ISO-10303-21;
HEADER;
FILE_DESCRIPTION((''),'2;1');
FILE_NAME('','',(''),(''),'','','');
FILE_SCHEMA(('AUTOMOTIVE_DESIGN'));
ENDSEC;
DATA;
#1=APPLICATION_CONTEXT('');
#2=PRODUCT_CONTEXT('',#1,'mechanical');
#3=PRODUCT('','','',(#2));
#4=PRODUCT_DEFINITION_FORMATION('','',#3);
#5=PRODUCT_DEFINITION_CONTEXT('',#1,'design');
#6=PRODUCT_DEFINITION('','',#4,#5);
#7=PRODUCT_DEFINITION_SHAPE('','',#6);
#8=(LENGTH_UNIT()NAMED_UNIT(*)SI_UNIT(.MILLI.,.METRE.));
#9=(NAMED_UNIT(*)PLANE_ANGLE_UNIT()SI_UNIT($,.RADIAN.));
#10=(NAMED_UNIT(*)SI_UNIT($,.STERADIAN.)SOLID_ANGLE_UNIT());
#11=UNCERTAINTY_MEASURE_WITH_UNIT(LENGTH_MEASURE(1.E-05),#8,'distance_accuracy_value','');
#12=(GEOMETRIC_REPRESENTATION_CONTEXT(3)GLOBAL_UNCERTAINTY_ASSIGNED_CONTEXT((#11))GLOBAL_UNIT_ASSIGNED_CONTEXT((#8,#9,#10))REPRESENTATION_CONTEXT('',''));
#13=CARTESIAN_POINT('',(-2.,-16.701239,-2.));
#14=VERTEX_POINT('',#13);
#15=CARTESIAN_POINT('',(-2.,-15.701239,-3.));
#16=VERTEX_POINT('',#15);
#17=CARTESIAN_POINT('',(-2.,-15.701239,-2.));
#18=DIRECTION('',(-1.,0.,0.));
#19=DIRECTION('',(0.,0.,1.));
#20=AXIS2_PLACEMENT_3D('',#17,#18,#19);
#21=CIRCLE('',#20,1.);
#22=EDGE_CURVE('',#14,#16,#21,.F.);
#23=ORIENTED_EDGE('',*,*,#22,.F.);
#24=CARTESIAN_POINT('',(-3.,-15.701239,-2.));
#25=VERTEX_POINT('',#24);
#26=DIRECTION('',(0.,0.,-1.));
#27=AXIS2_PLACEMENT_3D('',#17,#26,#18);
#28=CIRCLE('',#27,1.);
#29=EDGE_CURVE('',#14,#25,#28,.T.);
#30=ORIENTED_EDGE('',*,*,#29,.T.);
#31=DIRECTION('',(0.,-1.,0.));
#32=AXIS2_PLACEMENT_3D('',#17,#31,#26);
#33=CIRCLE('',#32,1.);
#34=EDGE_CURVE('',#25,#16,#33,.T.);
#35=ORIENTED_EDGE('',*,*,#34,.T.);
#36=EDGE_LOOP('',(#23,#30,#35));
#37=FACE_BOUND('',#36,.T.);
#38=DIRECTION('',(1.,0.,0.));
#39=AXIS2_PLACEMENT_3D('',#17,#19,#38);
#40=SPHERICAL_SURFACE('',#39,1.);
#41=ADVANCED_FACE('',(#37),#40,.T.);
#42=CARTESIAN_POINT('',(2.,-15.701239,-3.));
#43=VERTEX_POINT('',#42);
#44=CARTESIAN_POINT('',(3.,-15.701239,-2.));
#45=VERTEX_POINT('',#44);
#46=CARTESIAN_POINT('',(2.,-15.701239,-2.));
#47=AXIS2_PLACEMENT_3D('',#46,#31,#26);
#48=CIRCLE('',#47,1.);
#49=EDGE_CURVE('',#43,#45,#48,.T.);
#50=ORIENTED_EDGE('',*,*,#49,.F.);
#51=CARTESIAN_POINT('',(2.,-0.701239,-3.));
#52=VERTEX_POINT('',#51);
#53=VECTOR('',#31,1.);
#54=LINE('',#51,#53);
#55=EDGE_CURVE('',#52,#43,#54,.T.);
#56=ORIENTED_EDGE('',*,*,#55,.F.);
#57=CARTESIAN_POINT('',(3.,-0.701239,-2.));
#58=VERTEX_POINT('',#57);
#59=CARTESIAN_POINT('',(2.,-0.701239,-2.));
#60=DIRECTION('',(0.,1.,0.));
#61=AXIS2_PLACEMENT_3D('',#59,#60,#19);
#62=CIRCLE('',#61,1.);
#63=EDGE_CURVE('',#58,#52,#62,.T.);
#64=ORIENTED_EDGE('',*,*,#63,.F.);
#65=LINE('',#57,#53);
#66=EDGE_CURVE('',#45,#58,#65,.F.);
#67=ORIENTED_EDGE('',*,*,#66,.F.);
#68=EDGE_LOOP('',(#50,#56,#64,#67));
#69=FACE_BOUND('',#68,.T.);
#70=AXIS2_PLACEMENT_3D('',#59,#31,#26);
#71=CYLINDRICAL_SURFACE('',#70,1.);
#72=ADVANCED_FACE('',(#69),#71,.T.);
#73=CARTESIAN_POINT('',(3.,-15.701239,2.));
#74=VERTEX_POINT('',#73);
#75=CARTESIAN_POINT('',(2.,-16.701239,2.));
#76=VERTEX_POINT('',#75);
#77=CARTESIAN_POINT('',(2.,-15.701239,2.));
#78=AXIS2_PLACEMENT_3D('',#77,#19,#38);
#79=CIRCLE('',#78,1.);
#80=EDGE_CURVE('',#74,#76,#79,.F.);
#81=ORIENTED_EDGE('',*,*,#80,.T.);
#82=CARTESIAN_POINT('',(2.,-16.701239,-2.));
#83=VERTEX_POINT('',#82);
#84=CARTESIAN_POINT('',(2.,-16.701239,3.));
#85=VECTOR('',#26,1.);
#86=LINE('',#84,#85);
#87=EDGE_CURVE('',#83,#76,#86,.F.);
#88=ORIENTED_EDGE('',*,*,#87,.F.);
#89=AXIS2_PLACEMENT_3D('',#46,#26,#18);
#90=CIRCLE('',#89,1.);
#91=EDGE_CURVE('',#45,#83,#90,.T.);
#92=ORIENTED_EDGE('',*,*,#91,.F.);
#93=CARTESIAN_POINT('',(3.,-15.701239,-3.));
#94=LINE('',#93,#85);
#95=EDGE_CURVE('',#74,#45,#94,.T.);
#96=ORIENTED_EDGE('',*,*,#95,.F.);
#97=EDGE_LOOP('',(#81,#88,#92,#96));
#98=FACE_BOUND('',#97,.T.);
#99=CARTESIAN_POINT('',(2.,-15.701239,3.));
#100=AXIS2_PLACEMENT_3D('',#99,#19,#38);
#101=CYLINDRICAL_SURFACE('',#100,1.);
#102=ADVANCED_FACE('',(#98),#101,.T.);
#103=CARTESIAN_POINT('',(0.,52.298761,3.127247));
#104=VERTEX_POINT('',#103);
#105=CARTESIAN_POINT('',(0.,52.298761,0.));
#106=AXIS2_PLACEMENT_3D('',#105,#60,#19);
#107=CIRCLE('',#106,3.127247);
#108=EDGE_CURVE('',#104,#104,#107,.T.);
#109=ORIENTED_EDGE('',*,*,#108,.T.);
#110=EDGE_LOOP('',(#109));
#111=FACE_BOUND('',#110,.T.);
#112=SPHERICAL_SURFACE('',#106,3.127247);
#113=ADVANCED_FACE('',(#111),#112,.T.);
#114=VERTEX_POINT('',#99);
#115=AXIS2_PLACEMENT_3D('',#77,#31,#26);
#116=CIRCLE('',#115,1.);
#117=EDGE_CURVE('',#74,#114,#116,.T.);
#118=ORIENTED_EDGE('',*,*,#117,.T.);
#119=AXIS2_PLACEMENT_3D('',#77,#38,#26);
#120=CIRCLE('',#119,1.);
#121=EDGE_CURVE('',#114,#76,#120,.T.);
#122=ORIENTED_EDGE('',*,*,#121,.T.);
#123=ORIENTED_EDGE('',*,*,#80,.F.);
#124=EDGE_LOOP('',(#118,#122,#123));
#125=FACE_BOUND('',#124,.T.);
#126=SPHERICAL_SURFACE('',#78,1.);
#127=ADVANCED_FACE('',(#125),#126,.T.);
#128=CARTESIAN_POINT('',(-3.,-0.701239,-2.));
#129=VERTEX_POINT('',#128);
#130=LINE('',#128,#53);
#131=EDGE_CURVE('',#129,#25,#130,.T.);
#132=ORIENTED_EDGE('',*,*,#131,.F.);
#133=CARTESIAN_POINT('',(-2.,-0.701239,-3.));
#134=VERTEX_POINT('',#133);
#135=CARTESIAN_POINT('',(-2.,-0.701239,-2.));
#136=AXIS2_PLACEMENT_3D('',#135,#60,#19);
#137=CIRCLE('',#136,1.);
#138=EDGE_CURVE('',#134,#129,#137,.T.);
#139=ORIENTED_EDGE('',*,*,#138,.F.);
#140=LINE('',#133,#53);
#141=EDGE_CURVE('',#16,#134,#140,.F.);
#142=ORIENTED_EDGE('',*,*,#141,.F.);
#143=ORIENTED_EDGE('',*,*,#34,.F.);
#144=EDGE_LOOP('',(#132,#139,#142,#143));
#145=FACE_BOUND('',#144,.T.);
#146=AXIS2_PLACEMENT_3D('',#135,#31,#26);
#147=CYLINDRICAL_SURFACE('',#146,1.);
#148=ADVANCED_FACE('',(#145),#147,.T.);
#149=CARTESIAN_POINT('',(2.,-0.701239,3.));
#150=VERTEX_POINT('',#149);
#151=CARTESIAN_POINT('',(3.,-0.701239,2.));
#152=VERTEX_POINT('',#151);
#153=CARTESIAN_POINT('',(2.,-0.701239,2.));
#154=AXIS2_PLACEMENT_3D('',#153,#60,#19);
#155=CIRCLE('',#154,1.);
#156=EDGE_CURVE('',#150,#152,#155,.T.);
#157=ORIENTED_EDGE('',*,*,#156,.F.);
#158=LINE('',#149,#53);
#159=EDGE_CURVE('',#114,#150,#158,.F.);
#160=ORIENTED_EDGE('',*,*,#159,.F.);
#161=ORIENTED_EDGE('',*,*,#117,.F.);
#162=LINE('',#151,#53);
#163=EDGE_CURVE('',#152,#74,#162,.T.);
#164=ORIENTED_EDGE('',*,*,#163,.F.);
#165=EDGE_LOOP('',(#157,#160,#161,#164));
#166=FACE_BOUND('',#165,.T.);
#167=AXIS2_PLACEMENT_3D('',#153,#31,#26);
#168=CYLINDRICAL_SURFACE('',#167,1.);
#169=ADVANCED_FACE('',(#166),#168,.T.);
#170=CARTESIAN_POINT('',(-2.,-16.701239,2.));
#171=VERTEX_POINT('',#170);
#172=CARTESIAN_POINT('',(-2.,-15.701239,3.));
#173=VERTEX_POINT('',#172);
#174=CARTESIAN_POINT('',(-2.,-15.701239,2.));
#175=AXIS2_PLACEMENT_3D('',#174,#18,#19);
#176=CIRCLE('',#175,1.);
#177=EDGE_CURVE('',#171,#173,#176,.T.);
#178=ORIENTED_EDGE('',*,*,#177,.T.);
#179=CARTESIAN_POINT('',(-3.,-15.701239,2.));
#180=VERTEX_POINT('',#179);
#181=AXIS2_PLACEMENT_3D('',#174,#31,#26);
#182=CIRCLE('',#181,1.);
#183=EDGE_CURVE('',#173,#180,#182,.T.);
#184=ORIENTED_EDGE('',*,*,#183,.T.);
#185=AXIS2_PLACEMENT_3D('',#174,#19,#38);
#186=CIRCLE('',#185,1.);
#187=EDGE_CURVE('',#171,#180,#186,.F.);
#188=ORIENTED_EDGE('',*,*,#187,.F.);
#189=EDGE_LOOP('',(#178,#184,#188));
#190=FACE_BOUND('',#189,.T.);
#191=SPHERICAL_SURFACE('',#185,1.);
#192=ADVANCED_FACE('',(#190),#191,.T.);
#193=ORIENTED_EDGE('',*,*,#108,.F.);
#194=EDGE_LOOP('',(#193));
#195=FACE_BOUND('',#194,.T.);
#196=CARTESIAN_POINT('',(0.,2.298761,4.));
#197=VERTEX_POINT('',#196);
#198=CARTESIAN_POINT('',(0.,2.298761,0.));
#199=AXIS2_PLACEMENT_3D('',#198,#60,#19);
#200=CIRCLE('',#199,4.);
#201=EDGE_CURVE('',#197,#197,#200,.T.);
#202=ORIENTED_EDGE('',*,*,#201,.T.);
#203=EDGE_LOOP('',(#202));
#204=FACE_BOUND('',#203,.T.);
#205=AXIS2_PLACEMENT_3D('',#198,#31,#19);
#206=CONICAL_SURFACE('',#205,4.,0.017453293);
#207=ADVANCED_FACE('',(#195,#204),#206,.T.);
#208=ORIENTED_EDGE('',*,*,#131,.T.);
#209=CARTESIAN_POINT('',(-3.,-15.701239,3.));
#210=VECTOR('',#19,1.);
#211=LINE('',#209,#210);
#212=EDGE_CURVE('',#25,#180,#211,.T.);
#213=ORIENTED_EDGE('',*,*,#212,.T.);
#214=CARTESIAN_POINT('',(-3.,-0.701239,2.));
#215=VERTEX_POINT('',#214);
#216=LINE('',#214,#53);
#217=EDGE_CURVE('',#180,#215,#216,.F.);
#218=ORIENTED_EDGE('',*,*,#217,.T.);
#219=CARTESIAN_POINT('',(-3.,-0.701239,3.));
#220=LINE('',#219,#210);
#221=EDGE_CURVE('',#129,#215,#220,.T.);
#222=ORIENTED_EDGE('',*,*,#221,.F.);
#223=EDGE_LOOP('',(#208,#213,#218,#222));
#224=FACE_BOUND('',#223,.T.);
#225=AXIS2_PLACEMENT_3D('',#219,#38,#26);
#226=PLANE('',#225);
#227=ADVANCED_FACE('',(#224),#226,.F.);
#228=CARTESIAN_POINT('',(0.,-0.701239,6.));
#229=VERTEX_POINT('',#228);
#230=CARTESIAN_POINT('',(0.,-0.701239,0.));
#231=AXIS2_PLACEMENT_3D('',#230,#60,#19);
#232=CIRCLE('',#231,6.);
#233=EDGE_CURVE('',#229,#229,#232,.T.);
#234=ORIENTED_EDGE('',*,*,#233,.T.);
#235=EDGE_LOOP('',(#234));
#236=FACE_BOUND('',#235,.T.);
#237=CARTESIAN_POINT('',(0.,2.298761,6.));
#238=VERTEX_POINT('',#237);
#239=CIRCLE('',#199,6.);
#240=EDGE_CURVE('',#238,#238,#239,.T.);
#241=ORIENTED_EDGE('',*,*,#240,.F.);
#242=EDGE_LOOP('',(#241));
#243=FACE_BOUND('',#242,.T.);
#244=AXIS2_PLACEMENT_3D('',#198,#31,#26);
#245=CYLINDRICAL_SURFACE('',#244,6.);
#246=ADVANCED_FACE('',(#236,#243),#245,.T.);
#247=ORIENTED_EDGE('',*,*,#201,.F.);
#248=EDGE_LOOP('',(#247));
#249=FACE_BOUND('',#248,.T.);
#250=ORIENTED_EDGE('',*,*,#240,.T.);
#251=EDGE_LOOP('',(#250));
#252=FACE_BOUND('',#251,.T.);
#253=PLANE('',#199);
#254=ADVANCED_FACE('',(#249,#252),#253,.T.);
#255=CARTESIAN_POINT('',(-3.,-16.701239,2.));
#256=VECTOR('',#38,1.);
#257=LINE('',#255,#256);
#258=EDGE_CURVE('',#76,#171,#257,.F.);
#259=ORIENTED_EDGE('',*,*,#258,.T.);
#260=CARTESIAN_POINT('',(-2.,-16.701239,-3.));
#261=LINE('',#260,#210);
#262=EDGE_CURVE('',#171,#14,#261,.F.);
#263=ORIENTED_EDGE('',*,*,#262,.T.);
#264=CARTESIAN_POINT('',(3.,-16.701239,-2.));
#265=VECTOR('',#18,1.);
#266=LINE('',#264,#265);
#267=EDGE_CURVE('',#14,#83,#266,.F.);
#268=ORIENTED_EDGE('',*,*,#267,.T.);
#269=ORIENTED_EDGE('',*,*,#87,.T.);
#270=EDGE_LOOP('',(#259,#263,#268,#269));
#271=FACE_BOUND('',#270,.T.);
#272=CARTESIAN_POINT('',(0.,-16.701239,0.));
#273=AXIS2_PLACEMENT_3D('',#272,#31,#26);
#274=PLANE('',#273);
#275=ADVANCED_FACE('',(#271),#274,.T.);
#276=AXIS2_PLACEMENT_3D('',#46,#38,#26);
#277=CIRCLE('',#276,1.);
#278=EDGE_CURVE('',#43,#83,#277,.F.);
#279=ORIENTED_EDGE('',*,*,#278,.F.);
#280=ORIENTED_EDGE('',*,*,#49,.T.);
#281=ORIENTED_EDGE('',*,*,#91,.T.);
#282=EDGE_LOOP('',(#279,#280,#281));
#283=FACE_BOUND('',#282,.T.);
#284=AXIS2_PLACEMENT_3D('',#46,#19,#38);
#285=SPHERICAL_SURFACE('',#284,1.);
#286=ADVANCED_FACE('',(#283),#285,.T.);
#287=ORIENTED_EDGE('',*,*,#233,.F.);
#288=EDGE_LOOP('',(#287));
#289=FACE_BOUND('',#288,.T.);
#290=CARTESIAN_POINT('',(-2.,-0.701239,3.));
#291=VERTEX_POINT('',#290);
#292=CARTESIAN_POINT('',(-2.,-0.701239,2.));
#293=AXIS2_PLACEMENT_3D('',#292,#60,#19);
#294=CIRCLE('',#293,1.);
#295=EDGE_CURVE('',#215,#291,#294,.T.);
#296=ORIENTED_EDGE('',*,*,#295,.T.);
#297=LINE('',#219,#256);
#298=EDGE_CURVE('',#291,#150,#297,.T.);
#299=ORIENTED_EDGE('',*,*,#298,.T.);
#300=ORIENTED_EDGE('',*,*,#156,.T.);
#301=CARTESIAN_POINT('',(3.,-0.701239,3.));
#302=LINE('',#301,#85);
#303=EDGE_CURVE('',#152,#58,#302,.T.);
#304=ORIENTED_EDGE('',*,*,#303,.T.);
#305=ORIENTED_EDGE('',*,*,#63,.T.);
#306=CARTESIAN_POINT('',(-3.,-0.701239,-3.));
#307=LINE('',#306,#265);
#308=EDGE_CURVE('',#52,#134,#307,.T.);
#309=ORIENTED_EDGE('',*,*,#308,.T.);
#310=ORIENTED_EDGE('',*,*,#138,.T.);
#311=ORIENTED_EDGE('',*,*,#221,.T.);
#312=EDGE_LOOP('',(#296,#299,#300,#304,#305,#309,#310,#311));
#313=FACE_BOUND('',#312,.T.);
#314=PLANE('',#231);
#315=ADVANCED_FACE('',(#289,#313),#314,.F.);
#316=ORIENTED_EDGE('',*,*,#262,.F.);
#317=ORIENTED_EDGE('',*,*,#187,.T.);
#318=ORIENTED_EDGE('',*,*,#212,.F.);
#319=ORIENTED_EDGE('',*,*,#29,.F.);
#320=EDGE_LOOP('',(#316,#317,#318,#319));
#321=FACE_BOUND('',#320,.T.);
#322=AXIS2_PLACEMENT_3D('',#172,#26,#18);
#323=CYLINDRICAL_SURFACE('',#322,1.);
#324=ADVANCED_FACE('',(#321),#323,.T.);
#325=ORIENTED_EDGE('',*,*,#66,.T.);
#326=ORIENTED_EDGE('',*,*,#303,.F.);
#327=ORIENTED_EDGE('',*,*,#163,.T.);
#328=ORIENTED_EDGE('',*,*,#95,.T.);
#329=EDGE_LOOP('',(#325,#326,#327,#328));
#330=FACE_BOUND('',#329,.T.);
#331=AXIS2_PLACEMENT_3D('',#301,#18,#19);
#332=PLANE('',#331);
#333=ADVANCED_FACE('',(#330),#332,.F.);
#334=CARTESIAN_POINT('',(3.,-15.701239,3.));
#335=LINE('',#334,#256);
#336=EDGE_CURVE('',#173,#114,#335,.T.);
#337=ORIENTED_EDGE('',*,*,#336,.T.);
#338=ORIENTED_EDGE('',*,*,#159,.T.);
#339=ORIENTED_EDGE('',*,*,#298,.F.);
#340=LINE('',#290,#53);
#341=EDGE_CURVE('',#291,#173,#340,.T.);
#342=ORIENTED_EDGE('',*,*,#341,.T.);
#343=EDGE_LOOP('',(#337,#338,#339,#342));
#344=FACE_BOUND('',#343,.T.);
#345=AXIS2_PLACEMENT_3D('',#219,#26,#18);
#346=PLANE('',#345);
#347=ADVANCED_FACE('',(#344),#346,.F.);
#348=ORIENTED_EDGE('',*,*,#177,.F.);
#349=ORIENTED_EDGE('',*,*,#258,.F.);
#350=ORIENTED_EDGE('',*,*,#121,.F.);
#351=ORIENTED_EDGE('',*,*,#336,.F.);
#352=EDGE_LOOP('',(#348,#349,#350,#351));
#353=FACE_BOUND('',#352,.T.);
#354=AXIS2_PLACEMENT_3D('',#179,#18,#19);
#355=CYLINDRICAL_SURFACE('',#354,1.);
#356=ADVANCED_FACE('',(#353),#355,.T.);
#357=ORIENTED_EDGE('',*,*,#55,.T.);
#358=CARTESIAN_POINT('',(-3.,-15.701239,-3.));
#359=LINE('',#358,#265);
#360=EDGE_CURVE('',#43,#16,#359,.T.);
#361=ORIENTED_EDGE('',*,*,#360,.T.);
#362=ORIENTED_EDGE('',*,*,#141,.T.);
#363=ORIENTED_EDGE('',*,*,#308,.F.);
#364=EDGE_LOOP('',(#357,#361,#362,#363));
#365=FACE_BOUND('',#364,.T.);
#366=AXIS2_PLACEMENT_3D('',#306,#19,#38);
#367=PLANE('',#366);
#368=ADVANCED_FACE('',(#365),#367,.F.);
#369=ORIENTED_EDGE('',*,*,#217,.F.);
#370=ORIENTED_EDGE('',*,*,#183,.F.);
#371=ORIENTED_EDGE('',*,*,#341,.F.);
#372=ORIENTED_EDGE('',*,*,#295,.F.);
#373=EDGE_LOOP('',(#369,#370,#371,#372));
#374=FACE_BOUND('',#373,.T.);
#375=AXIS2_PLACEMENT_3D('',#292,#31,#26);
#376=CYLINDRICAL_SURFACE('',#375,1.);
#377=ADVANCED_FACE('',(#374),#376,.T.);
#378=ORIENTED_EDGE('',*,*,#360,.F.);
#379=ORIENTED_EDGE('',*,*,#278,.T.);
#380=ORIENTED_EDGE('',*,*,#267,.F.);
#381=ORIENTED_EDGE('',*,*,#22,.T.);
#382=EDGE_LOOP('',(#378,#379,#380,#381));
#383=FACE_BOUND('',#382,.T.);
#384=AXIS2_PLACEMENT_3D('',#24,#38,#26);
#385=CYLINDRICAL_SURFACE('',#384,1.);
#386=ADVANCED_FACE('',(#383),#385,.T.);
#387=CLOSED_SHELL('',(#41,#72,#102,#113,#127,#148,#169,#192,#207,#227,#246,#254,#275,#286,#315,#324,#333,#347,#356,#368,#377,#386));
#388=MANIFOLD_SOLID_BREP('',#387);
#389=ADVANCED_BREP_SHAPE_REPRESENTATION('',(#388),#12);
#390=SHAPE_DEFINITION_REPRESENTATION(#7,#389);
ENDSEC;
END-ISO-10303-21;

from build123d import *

# Parameters (mm, degrees)
SKETCH10_W         = 3
SKETCH10_H         = 3
HANDLE_DEPTH       = 8
SKETCH13_R         = 3
GUARD_DEPTH        = 1.5
SKETCH11_R         = 2
BLADE_DEPTH        = 25
BLADE_TAPER        = 1
BLADE_TIP_ANGLE    = 180
EASY_HAND_INSERT_R = 0.5
SCALE1_SCALE       = 2


with BuildPart() as part:
    # Sketch10 → Handle (new body)
    with BuildSketch(Plane(origin=(0, 0, 0), x_dir=(1, 0, 0), z_dir=(0, 1, 0))):
        Rectangle(SKETCH10_W, SKETCH10_H)
    extrude(amount=HANDLE_DEPTH)

    # Sketch13 → Guard (add)
    with BuildSketch(Plane(origin=(0, 8, 0), x_dir=(1, 0, 0), z_dir=(0, 1, 0))):
        with Locations(Location((0, 0, 0), (0, 0, 270))):
            Circle(SKETCH13_R)
    extrude(amount=GUARD_DEPTH)

    # Sketch11 → Blade (add)
    with BuildSketch(Plane(origin=(0, 9.5, 0), x_dir=(1, 0, 0), z_dir=(0, 1, 0))):
        Circle(SKETCH11_R)
    extrude(amount=BLADE_DEPTH, taper=BLADE_TAPER)

    # Sketch12 → Blade tip (revolve)
    with BuildSketch(Plane(origin=(0, 34.5, 0), x_dir=(1, 0, 0), z_dir=(0, 1, 0))):
        with BuildLine():
            Line((0, -1.563623377), (0, 1.563623377))
            ThreePointArc((0, 1.563623377), (-1.563623377, 0), (0, -1.563623377))
        make_face()
    revolve(axis=Axis((0, 34.5, 0), (0, 0, -1)), revolution_arc=BLADE_TIP_ANGLE)

    # Easy hand insert
    easy_hand_insert_edges = [part.edges().sort_by_distance(p)[0] for p in [
        (0, 0, 1.5),
        (-1.5, 0, 0),
        (0, 0, -1.5),
        (1.5, 0, 0),
        (1.5, 4, 1.5),
        (-1.5, 4, 1.5),
        (-1.5, 4, -1.5),
        (1.5, 4, -1.5),
    ]]
    fillet(easy_hand_insert_edges, radius=EASY_HAND_INSERT_R)


with BuildPart() as part_1:
    # Scale1: scaled about (0, 16.701239366, 0)
    add(part.part.scale(SCALE1_SCALE).moved(Location((0, -16.701239366, 0))))


solid = part_1.part
